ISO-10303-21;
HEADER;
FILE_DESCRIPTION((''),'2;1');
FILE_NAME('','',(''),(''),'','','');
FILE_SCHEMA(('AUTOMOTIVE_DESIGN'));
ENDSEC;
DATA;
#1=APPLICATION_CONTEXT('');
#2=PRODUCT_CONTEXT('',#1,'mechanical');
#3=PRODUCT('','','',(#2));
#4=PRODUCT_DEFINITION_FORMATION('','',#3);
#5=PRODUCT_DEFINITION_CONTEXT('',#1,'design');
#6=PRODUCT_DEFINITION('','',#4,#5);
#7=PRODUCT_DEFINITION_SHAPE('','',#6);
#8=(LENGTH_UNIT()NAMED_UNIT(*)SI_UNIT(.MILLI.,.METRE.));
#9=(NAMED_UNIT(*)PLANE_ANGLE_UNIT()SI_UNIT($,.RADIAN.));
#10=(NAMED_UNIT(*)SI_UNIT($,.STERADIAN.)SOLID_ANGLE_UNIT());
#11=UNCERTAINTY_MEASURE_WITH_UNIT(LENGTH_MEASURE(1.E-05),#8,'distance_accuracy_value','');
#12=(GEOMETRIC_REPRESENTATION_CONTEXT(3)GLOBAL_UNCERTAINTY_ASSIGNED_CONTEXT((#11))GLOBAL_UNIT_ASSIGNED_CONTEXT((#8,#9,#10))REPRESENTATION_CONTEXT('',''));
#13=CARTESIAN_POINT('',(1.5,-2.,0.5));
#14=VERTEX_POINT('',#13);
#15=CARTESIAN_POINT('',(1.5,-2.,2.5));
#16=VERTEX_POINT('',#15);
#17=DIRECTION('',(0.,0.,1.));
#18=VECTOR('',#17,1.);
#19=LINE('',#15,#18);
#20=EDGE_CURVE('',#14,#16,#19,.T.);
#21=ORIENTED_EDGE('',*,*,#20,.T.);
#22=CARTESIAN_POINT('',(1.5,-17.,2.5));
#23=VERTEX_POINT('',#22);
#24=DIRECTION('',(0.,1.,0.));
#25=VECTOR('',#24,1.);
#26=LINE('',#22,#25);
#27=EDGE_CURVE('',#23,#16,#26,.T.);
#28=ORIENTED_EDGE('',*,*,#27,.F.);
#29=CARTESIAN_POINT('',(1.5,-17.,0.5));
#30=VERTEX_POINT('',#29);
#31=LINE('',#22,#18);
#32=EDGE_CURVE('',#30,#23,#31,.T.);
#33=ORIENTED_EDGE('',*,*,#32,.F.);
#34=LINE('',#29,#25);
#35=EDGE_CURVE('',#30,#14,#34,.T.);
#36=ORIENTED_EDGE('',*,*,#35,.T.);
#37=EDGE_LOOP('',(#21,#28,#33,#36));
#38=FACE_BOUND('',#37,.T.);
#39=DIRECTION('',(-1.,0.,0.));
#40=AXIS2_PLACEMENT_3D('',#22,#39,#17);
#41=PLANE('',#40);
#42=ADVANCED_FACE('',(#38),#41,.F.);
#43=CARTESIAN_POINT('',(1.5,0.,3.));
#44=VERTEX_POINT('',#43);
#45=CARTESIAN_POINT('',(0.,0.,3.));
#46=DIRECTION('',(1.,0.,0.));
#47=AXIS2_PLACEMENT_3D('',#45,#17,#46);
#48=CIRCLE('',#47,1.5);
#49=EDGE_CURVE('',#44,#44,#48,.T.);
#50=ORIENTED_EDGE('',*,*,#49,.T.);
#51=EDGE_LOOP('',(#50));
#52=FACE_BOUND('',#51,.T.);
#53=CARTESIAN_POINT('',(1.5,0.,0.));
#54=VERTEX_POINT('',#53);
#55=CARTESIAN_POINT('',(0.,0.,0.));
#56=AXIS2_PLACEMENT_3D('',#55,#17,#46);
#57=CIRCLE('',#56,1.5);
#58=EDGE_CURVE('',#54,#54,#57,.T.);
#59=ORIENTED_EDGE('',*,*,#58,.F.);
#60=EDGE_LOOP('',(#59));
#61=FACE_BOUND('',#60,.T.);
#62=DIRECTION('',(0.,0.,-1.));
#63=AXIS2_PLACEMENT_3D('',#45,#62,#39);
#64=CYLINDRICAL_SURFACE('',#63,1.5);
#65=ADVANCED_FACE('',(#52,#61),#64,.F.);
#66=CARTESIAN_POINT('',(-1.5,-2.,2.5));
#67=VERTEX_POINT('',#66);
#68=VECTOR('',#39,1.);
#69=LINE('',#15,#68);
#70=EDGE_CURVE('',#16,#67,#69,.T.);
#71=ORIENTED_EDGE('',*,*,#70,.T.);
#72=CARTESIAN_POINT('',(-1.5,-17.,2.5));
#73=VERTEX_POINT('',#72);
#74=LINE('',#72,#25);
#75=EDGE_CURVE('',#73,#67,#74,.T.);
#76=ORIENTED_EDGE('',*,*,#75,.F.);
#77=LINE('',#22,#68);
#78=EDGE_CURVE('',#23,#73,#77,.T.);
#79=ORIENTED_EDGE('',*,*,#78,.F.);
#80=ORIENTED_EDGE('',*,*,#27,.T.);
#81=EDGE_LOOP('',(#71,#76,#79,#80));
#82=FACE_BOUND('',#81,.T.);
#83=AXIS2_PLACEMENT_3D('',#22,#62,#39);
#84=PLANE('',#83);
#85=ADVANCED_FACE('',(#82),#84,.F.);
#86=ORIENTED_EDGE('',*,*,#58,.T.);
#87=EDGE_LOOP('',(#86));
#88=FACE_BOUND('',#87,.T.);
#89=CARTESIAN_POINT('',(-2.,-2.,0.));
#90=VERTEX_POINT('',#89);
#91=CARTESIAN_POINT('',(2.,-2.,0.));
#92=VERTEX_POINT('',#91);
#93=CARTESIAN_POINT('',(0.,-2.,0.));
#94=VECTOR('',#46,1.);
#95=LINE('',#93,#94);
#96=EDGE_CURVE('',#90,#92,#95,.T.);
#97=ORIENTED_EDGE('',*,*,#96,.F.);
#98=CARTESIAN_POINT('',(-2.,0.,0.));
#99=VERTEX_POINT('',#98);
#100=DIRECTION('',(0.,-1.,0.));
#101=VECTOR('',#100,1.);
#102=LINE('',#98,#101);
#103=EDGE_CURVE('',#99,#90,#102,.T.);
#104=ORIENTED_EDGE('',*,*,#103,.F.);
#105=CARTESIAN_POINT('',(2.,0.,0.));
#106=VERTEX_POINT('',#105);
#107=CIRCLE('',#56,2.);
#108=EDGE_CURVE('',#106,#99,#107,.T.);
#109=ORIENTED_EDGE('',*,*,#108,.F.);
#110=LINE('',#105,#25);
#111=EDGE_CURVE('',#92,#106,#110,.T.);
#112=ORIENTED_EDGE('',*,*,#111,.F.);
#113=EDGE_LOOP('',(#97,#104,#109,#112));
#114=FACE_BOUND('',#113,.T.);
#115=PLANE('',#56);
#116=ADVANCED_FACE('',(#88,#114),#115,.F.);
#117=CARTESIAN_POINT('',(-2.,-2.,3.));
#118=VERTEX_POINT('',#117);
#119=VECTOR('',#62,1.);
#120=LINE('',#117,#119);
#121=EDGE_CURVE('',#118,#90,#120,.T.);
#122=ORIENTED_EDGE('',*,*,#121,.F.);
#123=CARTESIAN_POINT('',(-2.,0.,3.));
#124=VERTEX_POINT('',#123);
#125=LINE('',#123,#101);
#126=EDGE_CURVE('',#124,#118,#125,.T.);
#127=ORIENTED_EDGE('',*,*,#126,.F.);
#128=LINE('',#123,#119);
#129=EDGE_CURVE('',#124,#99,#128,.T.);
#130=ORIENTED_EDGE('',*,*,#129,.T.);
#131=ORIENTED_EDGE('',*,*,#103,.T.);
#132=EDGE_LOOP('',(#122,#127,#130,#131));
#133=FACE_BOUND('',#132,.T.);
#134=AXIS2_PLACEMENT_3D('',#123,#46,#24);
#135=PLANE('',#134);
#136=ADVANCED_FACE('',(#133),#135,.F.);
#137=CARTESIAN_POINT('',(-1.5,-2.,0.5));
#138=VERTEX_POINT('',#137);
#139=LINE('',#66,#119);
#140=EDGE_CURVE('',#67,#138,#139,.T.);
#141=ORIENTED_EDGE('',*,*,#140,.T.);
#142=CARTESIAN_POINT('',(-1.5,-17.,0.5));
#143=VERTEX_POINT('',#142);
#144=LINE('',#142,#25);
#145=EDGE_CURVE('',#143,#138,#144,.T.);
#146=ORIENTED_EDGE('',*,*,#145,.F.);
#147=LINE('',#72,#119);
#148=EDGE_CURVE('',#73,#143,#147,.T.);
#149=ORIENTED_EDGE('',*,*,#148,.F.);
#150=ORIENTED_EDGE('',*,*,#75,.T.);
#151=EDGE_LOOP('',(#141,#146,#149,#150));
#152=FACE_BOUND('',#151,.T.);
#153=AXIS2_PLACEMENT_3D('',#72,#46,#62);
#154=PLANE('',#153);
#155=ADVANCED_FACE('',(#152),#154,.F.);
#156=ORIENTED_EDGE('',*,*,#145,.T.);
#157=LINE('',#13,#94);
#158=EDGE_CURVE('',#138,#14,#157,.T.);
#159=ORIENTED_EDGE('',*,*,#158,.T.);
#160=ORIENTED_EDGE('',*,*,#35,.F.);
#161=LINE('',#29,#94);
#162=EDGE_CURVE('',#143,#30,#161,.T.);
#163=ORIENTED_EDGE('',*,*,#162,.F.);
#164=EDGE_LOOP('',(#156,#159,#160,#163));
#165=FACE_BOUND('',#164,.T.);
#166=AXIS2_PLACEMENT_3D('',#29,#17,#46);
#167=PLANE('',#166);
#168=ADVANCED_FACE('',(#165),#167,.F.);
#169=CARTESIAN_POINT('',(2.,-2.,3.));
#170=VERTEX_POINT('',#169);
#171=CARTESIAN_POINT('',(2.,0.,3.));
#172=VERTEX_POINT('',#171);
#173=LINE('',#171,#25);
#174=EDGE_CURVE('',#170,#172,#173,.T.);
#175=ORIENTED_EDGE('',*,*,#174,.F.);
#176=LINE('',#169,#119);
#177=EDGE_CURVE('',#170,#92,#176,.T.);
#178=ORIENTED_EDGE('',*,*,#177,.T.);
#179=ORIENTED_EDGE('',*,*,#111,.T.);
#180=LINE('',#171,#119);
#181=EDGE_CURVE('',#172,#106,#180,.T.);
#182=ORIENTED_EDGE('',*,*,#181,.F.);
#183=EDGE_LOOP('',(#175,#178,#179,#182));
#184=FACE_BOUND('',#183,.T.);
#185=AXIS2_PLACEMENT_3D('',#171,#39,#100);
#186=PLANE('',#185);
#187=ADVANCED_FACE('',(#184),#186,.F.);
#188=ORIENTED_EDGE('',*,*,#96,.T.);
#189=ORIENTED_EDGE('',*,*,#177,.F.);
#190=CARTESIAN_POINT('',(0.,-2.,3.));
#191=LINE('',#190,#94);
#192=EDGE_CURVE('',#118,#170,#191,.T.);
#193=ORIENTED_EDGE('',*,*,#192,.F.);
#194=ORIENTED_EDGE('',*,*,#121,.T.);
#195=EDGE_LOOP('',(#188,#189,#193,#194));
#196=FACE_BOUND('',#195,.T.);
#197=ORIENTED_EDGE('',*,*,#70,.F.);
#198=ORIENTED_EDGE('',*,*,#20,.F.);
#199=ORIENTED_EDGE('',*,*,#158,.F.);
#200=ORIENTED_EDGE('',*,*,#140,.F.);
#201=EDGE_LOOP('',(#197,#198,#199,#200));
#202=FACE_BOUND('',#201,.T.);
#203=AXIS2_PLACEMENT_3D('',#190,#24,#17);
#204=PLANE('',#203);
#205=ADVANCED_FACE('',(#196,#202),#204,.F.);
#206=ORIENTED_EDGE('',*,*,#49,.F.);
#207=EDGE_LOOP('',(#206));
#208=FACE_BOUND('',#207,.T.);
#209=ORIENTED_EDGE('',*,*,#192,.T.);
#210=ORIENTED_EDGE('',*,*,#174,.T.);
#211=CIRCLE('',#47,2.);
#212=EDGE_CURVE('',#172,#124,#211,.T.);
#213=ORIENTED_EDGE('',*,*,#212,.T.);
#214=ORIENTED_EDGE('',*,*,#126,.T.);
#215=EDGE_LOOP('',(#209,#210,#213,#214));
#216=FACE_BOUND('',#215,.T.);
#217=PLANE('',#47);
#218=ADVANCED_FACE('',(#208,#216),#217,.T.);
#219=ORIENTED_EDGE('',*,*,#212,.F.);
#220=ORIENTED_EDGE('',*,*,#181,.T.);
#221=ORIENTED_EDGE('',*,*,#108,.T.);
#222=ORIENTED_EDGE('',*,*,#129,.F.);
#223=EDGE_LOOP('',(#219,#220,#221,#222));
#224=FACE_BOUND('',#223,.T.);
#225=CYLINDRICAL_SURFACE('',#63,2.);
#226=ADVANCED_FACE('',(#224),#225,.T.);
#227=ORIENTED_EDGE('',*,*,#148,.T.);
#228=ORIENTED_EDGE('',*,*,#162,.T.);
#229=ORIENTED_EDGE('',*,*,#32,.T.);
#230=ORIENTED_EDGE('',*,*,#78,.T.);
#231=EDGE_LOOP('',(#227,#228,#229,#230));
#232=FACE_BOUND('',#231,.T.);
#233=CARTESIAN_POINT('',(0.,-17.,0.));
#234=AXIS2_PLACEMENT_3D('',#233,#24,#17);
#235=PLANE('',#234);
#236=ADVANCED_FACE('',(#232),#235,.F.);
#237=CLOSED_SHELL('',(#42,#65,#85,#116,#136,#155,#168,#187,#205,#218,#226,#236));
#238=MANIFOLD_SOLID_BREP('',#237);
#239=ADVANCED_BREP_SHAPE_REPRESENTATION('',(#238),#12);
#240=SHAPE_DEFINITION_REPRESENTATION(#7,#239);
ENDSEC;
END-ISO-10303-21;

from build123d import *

# Parameters (mm, degrees)
SKETCH_1_R      = 2
SKETCH_1_R_2    = 1.5
EXTRUDE_1_DEPTH = 3
SKETCH_2_W      = 3
SKETCH_2_H      = 2
EXTRUDE_2_DEPTH = 15


with BuildPart() as part:
    # 草图1 → 凸台-拉伸1 (new body)
    with BuildSketch(Plane.XY):
        with BuildLine():
            ThreePointArc((0, -2), (-1.414213562, -1.414213562), (-2, 0))
            Line((-2, 0), (-2, -2))
            Line((-2, -2), (0, -2))
        make_face()
        Circle(SKETCH_1_R)
        Circle(SKETCH_1_R_2, mode=Mode.SUBTRACT)
        with BuildLine():
            Line((2, -2), (2, 0))
            ThreePointArc((2, 0), (1.414213562, -1.414213562), (0, -2))
            Line((0, -2), (2, -2))
        make_face()
    extrude(amount=EXTRUDE_1_DEPTH)

    # 草图2 → 凸台-拉伸2 (add)
    with BuildSketch(Plane.XZ.offset(2)):
        with Locations((0, 1.5)):
            Rectangle(SKETCH_2_W, SKETCH_2_H)
    extrude(amount=EXTRUDE_2_DEPTH)


solid = part.part
